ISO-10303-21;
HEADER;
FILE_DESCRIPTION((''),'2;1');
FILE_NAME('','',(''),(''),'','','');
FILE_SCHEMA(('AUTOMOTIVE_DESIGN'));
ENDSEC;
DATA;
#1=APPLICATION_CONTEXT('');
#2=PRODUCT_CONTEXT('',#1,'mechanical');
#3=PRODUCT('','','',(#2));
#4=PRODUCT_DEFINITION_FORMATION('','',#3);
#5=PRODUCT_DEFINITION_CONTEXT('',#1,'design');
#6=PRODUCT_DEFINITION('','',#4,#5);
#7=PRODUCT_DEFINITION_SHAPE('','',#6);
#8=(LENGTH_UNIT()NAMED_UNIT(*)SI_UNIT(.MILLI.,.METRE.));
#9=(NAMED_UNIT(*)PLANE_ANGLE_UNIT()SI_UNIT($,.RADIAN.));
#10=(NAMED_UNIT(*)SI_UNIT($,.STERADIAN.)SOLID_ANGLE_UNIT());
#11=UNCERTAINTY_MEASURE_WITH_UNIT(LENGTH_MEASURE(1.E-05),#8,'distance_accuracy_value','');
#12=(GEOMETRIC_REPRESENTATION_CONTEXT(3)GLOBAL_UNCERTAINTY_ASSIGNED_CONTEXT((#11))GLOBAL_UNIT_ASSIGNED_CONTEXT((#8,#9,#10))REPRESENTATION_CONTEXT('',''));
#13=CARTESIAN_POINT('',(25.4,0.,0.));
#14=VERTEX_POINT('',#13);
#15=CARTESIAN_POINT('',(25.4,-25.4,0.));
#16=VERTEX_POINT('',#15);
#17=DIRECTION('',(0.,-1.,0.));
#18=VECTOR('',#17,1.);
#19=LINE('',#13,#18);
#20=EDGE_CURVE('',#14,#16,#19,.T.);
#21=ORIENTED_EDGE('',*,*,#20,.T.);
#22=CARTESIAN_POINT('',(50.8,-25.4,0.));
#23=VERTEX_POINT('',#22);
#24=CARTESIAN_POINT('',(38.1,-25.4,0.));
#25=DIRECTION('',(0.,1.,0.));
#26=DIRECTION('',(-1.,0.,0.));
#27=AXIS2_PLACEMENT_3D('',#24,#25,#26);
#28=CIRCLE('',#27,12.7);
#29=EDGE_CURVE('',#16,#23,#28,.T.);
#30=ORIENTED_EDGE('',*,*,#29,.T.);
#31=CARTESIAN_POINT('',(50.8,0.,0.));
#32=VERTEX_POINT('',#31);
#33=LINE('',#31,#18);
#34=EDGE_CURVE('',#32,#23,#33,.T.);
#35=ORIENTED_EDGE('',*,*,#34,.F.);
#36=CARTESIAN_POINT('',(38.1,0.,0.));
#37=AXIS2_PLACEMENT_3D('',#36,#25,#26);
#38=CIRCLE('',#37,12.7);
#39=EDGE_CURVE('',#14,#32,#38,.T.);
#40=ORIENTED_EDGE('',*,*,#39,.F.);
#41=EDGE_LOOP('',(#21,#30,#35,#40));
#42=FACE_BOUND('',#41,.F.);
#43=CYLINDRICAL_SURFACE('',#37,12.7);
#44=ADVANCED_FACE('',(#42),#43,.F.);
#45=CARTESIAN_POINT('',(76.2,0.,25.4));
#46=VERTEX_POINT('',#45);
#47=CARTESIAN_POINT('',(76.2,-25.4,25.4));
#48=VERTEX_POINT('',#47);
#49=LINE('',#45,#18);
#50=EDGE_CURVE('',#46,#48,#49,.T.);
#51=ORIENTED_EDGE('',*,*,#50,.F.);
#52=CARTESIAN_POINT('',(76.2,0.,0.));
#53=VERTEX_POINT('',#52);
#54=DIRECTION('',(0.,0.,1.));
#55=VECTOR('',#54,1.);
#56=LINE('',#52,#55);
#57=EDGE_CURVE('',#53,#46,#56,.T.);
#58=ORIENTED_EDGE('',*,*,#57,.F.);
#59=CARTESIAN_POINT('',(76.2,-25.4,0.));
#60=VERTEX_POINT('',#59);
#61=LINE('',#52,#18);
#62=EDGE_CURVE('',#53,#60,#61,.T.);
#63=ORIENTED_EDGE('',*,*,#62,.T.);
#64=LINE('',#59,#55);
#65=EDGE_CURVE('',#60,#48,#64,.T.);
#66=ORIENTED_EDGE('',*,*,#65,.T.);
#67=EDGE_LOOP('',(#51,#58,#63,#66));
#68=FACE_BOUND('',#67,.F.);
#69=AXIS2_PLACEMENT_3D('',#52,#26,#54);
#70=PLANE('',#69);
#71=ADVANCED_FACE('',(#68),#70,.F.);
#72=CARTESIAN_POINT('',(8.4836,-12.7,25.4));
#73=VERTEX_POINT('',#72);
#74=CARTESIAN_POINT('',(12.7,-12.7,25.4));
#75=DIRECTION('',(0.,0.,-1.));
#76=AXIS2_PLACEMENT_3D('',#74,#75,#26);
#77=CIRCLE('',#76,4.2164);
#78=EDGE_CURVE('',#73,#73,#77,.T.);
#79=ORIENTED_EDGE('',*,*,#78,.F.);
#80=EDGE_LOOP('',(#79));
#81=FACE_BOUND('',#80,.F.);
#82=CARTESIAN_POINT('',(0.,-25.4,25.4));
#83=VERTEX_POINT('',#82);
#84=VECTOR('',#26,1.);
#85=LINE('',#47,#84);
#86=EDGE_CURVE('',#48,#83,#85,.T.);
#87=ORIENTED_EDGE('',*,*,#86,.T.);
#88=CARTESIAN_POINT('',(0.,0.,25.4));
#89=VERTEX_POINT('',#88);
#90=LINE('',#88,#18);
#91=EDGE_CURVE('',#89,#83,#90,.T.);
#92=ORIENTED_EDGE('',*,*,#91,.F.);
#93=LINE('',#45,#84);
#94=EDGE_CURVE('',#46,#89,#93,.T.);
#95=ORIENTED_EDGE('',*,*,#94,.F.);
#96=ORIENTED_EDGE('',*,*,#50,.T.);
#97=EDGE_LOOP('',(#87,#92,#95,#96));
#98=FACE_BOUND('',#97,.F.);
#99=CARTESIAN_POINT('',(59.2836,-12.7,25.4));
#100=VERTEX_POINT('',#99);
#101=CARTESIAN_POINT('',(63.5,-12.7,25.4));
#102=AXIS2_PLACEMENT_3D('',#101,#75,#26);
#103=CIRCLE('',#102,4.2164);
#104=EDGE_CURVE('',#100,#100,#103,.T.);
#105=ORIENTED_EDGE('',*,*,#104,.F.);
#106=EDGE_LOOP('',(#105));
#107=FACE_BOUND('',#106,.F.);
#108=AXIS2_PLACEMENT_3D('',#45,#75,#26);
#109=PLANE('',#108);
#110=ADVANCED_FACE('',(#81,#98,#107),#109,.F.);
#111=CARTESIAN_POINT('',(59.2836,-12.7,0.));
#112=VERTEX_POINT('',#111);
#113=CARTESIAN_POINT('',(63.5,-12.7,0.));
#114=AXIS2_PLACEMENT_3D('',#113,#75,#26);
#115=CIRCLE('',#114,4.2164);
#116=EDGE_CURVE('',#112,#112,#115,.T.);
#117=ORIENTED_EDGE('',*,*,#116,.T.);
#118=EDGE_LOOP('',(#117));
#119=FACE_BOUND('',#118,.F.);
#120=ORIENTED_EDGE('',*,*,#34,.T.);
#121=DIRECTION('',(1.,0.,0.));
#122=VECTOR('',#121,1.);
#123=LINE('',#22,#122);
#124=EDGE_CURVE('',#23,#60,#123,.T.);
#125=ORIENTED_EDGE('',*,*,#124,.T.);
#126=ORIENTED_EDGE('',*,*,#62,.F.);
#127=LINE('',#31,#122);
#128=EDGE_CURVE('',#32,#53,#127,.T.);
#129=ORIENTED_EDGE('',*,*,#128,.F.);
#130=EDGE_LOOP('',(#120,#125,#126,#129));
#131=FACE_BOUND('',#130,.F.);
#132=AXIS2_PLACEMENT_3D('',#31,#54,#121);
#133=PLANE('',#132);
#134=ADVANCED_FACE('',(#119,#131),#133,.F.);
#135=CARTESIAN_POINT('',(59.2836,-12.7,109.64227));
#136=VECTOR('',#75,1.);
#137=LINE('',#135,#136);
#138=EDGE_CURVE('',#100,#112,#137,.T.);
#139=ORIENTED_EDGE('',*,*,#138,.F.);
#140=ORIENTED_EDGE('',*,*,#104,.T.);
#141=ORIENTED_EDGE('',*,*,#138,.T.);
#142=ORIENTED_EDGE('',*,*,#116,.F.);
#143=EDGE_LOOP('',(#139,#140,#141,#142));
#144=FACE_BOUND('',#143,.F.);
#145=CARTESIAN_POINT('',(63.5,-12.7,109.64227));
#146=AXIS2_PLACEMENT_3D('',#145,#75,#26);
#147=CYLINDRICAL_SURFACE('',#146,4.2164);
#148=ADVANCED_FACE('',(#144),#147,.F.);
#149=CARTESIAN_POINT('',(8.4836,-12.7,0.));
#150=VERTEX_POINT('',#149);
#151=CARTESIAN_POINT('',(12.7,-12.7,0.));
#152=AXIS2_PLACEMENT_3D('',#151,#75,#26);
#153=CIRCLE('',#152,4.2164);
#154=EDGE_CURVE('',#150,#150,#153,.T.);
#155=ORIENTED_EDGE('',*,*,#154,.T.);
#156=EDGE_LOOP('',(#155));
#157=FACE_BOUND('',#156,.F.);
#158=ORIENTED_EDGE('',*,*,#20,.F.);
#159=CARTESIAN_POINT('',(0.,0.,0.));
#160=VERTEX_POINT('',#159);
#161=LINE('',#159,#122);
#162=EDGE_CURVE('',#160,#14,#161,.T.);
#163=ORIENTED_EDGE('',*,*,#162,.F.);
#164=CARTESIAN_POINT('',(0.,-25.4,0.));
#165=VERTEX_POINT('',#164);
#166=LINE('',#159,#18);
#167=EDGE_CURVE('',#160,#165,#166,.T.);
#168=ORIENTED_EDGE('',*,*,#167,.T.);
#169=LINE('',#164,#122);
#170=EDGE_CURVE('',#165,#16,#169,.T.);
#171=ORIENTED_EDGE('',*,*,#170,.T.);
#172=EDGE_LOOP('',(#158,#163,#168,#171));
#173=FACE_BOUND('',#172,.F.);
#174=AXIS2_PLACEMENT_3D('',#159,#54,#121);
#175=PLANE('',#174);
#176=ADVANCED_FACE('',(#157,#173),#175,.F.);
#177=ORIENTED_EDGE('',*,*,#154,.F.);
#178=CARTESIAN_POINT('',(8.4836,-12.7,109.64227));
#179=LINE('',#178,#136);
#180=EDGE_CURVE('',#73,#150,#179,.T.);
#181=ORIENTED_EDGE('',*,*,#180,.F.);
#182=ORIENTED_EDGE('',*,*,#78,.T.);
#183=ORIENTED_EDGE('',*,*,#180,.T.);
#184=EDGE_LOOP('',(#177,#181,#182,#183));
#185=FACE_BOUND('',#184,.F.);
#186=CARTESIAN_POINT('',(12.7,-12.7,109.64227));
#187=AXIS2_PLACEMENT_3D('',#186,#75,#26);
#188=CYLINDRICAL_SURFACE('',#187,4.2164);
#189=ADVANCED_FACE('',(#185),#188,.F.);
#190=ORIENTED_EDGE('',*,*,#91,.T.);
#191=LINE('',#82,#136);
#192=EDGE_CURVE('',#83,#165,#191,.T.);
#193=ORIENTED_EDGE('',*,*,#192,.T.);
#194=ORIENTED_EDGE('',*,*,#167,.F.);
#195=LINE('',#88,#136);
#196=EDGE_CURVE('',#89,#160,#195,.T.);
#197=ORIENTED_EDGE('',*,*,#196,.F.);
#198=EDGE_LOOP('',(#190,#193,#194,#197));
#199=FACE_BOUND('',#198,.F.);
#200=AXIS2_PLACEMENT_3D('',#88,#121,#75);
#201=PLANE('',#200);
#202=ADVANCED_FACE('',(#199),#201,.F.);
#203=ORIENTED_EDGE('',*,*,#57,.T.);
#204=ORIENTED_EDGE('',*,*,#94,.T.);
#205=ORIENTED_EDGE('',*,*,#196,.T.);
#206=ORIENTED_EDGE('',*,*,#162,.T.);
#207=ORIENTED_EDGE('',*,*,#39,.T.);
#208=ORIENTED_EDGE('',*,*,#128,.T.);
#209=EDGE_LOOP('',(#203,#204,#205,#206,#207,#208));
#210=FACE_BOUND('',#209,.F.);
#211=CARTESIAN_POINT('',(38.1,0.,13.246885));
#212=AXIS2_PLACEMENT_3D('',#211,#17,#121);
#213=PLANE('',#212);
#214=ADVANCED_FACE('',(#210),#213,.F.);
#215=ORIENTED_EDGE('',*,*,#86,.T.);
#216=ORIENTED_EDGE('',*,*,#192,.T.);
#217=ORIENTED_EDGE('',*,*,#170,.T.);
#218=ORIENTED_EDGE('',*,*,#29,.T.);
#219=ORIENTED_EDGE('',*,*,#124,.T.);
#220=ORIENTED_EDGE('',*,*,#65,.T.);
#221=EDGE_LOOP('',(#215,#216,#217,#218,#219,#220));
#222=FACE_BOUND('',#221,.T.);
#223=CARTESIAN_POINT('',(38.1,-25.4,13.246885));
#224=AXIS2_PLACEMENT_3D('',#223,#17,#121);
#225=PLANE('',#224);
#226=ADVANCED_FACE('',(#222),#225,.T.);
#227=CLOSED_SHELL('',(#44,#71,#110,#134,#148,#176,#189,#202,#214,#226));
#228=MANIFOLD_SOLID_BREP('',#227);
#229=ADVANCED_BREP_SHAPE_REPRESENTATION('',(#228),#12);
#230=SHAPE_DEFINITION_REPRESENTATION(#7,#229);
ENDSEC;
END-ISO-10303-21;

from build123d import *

# Parameters (mm, degrees)
F1_DEPTH = 25.4
F3_D     = 8.4328


with BuildPart() as f1:
    # F0 (on Front) → F1 (new body)
    with BuildSketch(Plane.XZ):
        with BuildLine():
            Line((0, 25.4), (0, 0))
            Line((0, 0), (25.4, 0))
            ThreePointArc((25.4, 0), (38.1, 12.7), (50.8, 0))
            Line((50.8, 0), (76.2, 0))
            Line((76.2, 0), (76.2, 25.4))
            Line((76.2, 25.4), (0, 25.4))
        make_face()
    extrude(amount=F1_DEPTH)

    # F3 (through all)
    with Locations(Plane.XY.offset(25.4)):
        with Locations((12.7, -12.7), (63.5, -12.7)):
            Hole(F3_D / 2)


solid = f1.part
